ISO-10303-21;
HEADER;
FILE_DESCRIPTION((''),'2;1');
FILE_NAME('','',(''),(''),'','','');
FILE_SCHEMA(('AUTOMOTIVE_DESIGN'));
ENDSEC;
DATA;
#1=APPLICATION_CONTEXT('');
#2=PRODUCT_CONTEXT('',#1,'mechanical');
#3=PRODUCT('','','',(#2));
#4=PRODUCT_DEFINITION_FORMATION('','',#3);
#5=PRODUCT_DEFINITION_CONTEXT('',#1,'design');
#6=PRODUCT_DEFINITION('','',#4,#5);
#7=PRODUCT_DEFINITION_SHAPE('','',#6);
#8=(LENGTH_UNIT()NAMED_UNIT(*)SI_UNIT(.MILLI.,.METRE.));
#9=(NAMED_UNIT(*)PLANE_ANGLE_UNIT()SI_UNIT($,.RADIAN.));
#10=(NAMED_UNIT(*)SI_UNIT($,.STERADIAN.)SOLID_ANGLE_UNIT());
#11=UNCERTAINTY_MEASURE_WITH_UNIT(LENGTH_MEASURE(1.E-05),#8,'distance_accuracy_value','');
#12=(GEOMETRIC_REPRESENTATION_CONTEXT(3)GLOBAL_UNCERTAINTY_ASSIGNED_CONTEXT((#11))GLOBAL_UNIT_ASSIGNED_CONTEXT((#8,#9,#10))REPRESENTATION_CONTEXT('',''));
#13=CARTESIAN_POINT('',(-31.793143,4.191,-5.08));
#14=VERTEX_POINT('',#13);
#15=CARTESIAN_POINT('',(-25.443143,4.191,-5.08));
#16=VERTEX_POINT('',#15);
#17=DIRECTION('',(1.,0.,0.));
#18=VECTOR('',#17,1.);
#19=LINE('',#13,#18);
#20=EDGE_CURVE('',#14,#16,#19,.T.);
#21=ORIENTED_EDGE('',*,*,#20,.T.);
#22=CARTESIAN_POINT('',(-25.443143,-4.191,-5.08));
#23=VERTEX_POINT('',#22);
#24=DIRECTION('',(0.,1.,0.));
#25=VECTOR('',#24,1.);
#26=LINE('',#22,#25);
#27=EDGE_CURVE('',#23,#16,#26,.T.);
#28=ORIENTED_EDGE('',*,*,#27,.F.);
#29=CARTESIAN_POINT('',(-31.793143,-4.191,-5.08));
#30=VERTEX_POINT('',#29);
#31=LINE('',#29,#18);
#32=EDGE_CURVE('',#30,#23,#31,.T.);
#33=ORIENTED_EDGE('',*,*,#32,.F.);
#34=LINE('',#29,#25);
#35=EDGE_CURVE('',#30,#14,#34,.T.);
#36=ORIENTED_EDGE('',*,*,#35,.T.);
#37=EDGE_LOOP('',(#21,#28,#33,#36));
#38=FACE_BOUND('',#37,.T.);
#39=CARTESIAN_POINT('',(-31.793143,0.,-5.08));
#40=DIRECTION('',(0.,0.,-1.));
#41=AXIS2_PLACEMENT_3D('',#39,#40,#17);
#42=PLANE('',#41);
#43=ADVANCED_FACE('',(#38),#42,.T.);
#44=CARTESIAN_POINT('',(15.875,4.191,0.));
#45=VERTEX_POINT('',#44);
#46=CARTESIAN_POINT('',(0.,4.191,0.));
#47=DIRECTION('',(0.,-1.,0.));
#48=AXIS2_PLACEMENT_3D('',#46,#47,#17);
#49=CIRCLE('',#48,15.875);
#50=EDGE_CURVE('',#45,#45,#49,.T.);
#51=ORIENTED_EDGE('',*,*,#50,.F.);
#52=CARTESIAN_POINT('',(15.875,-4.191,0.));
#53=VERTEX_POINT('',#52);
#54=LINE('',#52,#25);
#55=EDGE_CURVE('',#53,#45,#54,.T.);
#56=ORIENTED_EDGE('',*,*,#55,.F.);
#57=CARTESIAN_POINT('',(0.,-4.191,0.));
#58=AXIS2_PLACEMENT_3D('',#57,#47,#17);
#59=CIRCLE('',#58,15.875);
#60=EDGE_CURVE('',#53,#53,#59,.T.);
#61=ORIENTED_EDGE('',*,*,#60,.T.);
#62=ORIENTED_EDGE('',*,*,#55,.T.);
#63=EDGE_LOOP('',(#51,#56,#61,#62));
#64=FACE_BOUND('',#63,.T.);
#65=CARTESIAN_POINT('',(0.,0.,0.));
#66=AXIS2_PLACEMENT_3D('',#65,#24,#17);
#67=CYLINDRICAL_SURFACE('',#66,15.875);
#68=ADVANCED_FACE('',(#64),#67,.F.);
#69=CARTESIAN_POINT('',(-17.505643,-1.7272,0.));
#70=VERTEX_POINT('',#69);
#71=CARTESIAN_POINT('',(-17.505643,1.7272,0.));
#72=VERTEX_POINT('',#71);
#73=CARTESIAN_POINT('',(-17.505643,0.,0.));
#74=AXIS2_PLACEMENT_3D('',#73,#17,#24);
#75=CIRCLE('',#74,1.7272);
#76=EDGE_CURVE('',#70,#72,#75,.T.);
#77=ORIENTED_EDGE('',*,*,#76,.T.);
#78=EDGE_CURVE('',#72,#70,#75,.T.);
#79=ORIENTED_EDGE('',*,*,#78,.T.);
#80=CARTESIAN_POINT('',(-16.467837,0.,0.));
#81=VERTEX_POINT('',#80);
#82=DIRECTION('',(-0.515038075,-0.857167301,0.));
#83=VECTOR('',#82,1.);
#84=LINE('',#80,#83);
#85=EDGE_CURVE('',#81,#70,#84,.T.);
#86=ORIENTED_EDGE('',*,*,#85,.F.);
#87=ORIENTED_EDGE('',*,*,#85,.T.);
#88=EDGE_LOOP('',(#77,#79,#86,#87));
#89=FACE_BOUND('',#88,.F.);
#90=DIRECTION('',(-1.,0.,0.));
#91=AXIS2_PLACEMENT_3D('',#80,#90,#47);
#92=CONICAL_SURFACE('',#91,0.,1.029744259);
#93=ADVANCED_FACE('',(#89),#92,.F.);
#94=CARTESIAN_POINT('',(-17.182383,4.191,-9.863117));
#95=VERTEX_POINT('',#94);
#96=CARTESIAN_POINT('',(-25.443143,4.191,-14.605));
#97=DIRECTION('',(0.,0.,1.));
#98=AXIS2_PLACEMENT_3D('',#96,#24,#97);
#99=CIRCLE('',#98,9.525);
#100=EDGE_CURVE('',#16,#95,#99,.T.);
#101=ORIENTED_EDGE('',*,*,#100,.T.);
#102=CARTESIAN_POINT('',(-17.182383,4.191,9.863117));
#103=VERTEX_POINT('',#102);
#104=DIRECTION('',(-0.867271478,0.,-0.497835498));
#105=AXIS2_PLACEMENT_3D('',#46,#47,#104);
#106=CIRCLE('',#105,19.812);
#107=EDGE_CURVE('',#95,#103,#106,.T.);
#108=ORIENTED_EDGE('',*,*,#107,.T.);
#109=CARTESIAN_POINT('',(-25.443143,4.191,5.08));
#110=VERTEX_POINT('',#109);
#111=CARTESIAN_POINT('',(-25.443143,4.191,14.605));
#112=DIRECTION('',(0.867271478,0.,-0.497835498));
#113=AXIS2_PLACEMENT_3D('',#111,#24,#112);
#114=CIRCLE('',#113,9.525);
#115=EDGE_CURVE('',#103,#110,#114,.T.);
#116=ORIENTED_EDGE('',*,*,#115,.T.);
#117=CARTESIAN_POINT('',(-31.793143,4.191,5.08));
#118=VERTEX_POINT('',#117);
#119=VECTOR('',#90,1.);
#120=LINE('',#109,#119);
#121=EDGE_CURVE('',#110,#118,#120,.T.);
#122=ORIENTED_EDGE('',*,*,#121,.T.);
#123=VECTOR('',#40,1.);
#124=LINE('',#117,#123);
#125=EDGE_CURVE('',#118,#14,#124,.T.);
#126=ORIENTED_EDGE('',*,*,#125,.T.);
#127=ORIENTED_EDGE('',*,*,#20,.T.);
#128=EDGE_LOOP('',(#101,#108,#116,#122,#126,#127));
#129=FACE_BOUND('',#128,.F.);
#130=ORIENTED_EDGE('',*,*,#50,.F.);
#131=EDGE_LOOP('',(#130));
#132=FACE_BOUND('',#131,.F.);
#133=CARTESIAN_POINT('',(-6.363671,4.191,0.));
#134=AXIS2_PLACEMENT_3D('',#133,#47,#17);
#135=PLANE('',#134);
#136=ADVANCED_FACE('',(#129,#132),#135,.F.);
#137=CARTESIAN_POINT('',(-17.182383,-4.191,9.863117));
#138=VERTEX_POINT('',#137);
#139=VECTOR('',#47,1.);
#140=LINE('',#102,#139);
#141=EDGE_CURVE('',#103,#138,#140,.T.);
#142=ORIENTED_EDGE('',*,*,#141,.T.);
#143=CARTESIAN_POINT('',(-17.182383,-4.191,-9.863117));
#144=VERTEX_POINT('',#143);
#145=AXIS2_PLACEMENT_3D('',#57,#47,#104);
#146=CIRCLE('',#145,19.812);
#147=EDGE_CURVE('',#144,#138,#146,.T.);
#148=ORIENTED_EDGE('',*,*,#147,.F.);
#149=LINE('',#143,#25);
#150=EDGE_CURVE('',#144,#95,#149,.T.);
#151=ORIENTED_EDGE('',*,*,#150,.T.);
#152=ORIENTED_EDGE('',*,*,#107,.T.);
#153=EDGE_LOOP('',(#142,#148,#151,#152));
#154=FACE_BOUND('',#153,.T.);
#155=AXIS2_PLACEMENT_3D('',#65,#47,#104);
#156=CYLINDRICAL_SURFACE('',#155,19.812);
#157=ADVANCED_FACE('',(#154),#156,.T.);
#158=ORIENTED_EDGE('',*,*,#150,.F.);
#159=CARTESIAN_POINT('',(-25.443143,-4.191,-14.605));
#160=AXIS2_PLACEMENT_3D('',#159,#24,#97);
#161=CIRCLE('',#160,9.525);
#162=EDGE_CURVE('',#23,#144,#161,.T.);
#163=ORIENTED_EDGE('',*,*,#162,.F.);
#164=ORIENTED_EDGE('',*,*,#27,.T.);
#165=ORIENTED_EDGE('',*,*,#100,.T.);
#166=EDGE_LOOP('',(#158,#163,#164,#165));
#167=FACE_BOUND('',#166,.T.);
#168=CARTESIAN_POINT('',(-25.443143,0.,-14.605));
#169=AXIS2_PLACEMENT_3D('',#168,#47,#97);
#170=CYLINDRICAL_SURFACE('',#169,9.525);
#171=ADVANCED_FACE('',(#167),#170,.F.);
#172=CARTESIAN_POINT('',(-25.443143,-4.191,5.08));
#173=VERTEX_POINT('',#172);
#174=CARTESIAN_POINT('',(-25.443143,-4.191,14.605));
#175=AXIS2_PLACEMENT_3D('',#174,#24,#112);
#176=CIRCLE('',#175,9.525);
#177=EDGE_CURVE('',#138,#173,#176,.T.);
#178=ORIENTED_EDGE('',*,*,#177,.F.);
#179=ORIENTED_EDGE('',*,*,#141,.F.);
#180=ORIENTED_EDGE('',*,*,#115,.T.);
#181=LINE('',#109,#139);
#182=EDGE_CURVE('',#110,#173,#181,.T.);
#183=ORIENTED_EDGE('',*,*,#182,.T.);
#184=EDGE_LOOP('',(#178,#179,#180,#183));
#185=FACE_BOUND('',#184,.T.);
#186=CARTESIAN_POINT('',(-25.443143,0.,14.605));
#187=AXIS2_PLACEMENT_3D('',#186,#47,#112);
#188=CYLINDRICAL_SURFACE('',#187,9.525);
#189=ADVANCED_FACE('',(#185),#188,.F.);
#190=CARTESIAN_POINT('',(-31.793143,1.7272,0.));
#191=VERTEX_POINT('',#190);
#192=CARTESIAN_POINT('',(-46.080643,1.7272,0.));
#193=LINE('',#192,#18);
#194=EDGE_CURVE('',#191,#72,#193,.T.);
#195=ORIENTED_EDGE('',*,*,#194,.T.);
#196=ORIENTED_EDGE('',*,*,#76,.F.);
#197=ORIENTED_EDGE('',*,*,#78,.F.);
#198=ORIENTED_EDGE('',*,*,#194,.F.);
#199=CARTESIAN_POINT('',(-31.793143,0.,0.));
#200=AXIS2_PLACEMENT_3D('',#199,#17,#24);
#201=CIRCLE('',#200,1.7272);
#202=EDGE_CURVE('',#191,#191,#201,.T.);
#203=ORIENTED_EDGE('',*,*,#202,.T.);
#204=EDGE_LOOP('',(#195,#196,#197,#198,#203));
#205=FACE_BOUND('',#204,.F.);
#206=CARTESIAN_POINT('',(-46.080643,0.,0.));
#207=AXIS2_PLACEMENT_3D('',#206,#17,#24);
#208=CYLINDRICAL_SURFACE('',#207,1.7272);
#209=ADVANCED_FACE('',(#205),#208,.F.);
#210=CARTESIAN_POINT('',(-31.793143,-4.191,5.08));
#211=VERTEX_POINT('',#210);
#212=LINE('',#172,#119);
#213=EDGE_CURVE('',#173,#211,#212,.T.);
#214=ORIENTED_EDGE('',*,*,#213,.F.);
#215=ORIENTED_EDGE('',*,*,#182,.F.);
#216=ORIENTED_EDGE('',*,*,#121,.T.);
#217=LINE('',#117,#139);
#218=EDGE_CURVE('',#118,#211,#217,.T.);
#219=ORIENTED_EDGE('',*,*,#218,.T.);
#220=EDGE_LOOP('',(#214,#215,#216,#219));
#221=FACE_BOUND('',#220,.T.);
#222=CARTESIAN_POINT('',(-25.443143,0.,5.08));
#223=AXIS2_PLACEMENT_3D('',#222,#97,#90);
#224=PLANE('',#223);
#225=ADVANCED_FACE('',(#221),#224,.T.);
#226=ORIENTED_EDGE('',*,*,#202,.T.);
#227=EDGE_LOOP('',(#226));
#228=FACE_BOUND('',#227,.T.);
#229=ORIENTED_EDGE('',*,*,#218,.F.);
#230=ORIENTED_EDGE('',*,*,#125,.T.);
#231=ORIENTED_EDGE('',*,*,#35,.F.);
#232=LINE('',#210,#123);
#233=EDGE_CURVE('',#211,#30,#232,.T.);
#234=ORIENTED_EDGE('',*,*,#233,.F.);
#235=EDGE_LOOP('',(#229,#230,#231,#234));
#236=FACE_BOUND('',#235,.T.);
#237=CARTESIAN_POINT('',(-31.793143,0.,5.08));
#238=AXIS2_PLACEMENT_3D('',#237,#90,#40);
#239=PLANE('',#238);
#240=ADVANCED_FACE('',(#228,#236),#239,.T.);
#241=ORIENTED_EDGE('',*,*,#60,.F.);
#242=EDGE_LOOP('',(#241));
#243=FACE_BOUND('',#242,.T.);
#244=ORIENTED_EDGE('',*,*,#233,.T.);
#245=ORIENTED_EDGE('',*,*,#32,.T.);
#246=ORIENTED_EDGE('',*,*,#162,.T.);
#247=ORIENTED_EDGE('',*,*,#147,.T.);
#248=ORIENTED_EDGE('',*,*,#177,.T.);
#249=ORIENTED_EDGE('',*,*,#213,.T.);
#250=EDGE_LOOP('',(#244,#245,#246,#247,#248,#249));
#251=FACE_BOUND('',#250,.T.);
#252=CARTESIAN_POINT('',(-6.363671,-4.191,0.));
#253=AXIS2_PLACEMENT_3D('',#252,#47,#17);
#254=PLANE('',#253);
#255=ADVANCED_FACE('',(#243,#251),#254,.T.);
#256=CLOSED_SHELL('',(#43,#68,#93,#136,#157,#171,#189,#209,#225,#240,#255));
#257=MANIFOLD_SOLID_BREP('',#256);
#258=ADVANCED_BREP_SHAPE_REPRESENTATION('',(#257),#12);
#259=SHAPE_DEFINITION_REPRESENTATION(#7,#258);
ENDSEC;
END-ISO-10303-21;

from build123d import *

# Parameters (mm, degrees)
F0_R     = 15.875
F1_DEPTH = 4.191
F3_D     = 3.4544
F3_DEPTH = 14.2875
F3_TIP   = 1.0378064612


with BuildPart() as f1:
    # F0 (on Front) → F1 (new body, symmetric)
    with BuildSketch(Plane.XZ):
        with BuildLine():
            ThreePointArc((-17.1823825283, -9.8631168831), (19.812, 0), (-17.1823825283, 9.8631168831))
            ThreePointArc((-17.1823825283, 9.8631168831), (-20.6703460499, 6.362061759), (-25.4431433593, 5.08))
            Line((-25.4431433593, 5.08), (-31.7931433593, 5.08))
            Line((-31.7931433593, 5.08), (-31.7931433593, -5.08))
            Line((-31.7931433593, -5.08), (-25.4431433593, -5.08))
            ThreePointArc((-25.4431433593, -5.08), (-20.6703460499, -6.362061759), (-17.1823825283, -9.8631168831))
        make_face()
        Circle(F0_R, mode=Mode.SUBTRACT)
    extrude(amount=F1_DEPTH, both=True)

    # F3
    with Locations(Plane(origin=(-31.7931433593, 0, 0), x_dir=(0, -1, 0), z_dir=(-1, 0, 0))):
        with Locations((0, 0)):
            Hole(F3_D / 2, depth=F3_DEPTH)
            with Locations((0, 0, -(F3_DEPTH + F3_TIP / 2))):  # 118° drill point
                Cone(0, F3_D / 2, F3_TIP, mode=Mode.SUBTRACT)


solid = f1.part
